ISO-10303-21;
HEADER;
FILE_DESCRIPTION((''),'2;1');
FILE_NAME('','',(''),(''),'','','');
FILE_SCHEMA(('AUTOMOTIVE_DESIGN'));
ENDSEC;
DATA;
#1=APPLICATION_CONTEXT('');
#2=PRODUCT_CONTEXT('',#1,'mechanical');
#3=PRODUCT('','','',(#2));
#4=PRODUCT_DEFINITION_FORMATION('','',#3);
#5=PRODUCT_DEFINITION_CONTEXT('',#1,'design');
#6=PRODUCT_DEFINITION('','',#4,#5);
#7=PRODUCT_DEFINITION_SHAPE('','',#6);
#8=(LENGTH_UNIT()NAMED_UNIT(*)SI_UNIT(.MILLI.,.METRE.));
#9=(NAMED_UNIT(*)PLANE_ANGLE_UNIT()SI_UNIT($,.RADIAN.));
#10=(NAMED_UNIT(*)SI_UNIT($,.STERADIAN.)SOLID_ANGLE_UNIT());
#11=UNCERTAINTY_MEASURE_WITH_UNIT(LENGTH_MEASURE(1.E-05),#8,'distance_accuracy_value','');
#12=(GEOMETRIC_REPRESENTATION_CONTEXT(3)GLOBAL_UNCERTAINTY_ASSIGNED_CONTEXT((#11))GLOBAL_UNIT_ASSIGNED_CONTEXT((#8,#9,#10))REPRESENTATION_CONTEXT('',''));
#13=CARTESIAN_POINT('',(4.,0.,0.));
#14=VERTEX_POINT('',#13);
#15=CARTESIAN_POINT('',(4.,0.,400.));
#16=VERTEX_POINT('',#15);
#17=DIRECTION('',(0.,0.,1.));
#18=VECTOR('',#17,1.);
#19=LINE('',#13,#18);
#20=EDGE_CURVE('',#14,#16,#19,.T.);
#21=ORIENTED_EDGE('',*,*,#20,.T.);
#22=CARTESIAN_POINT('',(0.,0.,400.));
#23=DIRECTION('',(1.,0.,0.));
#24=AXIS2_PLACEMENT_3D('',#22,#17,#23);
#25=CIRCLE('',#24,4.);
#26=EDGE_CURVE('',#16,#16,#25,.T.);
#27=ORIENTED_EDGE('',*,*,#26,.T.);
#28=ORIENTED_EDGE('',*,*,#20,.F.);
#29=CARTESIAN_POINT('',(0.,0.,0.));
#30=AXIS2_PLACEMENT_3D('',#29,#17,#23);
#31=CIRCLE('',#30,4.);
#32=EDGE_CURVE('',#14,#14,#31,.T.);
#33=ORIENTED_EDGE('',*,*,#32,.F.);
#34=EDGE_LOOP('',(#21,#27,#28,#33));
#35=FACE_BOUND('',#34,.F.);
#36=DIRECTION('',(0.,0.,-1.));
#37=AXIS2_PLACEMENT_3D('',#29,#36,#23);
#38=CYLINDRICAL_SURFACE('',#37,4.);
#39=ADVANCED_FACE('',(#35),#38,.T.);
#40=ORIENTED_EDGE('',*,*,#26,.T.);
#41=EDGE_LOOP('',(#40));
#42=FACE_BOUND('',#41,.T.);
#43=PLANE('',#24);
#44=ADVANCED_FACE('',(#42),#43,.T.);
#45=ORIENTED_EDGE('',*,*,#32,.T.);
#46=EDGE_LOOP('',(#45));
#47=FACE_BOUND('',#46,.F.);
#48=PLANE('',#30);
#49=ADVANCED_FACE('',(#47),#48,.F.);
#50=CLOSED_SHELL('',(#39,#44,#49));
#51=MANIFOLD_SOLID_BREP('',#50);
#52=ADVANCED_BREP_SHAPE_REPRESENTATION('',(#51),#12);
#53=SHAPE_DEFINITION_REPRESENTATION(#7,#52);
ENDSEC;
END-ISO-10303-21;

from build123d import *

# Parameters (mm, degrees)
SKETCH_1_R      = 4
EXTRUDE_1_DEPTH = 400


with BuildPart() as part:
    # 草图1 → 凸台-拉伸1 (new body)
    with BuildSketch(Plane.XY):
        Circle(SKETCH_1_R)
    extrude(amount=EXTRUDE_1_DEPTH)


solid = part.part
